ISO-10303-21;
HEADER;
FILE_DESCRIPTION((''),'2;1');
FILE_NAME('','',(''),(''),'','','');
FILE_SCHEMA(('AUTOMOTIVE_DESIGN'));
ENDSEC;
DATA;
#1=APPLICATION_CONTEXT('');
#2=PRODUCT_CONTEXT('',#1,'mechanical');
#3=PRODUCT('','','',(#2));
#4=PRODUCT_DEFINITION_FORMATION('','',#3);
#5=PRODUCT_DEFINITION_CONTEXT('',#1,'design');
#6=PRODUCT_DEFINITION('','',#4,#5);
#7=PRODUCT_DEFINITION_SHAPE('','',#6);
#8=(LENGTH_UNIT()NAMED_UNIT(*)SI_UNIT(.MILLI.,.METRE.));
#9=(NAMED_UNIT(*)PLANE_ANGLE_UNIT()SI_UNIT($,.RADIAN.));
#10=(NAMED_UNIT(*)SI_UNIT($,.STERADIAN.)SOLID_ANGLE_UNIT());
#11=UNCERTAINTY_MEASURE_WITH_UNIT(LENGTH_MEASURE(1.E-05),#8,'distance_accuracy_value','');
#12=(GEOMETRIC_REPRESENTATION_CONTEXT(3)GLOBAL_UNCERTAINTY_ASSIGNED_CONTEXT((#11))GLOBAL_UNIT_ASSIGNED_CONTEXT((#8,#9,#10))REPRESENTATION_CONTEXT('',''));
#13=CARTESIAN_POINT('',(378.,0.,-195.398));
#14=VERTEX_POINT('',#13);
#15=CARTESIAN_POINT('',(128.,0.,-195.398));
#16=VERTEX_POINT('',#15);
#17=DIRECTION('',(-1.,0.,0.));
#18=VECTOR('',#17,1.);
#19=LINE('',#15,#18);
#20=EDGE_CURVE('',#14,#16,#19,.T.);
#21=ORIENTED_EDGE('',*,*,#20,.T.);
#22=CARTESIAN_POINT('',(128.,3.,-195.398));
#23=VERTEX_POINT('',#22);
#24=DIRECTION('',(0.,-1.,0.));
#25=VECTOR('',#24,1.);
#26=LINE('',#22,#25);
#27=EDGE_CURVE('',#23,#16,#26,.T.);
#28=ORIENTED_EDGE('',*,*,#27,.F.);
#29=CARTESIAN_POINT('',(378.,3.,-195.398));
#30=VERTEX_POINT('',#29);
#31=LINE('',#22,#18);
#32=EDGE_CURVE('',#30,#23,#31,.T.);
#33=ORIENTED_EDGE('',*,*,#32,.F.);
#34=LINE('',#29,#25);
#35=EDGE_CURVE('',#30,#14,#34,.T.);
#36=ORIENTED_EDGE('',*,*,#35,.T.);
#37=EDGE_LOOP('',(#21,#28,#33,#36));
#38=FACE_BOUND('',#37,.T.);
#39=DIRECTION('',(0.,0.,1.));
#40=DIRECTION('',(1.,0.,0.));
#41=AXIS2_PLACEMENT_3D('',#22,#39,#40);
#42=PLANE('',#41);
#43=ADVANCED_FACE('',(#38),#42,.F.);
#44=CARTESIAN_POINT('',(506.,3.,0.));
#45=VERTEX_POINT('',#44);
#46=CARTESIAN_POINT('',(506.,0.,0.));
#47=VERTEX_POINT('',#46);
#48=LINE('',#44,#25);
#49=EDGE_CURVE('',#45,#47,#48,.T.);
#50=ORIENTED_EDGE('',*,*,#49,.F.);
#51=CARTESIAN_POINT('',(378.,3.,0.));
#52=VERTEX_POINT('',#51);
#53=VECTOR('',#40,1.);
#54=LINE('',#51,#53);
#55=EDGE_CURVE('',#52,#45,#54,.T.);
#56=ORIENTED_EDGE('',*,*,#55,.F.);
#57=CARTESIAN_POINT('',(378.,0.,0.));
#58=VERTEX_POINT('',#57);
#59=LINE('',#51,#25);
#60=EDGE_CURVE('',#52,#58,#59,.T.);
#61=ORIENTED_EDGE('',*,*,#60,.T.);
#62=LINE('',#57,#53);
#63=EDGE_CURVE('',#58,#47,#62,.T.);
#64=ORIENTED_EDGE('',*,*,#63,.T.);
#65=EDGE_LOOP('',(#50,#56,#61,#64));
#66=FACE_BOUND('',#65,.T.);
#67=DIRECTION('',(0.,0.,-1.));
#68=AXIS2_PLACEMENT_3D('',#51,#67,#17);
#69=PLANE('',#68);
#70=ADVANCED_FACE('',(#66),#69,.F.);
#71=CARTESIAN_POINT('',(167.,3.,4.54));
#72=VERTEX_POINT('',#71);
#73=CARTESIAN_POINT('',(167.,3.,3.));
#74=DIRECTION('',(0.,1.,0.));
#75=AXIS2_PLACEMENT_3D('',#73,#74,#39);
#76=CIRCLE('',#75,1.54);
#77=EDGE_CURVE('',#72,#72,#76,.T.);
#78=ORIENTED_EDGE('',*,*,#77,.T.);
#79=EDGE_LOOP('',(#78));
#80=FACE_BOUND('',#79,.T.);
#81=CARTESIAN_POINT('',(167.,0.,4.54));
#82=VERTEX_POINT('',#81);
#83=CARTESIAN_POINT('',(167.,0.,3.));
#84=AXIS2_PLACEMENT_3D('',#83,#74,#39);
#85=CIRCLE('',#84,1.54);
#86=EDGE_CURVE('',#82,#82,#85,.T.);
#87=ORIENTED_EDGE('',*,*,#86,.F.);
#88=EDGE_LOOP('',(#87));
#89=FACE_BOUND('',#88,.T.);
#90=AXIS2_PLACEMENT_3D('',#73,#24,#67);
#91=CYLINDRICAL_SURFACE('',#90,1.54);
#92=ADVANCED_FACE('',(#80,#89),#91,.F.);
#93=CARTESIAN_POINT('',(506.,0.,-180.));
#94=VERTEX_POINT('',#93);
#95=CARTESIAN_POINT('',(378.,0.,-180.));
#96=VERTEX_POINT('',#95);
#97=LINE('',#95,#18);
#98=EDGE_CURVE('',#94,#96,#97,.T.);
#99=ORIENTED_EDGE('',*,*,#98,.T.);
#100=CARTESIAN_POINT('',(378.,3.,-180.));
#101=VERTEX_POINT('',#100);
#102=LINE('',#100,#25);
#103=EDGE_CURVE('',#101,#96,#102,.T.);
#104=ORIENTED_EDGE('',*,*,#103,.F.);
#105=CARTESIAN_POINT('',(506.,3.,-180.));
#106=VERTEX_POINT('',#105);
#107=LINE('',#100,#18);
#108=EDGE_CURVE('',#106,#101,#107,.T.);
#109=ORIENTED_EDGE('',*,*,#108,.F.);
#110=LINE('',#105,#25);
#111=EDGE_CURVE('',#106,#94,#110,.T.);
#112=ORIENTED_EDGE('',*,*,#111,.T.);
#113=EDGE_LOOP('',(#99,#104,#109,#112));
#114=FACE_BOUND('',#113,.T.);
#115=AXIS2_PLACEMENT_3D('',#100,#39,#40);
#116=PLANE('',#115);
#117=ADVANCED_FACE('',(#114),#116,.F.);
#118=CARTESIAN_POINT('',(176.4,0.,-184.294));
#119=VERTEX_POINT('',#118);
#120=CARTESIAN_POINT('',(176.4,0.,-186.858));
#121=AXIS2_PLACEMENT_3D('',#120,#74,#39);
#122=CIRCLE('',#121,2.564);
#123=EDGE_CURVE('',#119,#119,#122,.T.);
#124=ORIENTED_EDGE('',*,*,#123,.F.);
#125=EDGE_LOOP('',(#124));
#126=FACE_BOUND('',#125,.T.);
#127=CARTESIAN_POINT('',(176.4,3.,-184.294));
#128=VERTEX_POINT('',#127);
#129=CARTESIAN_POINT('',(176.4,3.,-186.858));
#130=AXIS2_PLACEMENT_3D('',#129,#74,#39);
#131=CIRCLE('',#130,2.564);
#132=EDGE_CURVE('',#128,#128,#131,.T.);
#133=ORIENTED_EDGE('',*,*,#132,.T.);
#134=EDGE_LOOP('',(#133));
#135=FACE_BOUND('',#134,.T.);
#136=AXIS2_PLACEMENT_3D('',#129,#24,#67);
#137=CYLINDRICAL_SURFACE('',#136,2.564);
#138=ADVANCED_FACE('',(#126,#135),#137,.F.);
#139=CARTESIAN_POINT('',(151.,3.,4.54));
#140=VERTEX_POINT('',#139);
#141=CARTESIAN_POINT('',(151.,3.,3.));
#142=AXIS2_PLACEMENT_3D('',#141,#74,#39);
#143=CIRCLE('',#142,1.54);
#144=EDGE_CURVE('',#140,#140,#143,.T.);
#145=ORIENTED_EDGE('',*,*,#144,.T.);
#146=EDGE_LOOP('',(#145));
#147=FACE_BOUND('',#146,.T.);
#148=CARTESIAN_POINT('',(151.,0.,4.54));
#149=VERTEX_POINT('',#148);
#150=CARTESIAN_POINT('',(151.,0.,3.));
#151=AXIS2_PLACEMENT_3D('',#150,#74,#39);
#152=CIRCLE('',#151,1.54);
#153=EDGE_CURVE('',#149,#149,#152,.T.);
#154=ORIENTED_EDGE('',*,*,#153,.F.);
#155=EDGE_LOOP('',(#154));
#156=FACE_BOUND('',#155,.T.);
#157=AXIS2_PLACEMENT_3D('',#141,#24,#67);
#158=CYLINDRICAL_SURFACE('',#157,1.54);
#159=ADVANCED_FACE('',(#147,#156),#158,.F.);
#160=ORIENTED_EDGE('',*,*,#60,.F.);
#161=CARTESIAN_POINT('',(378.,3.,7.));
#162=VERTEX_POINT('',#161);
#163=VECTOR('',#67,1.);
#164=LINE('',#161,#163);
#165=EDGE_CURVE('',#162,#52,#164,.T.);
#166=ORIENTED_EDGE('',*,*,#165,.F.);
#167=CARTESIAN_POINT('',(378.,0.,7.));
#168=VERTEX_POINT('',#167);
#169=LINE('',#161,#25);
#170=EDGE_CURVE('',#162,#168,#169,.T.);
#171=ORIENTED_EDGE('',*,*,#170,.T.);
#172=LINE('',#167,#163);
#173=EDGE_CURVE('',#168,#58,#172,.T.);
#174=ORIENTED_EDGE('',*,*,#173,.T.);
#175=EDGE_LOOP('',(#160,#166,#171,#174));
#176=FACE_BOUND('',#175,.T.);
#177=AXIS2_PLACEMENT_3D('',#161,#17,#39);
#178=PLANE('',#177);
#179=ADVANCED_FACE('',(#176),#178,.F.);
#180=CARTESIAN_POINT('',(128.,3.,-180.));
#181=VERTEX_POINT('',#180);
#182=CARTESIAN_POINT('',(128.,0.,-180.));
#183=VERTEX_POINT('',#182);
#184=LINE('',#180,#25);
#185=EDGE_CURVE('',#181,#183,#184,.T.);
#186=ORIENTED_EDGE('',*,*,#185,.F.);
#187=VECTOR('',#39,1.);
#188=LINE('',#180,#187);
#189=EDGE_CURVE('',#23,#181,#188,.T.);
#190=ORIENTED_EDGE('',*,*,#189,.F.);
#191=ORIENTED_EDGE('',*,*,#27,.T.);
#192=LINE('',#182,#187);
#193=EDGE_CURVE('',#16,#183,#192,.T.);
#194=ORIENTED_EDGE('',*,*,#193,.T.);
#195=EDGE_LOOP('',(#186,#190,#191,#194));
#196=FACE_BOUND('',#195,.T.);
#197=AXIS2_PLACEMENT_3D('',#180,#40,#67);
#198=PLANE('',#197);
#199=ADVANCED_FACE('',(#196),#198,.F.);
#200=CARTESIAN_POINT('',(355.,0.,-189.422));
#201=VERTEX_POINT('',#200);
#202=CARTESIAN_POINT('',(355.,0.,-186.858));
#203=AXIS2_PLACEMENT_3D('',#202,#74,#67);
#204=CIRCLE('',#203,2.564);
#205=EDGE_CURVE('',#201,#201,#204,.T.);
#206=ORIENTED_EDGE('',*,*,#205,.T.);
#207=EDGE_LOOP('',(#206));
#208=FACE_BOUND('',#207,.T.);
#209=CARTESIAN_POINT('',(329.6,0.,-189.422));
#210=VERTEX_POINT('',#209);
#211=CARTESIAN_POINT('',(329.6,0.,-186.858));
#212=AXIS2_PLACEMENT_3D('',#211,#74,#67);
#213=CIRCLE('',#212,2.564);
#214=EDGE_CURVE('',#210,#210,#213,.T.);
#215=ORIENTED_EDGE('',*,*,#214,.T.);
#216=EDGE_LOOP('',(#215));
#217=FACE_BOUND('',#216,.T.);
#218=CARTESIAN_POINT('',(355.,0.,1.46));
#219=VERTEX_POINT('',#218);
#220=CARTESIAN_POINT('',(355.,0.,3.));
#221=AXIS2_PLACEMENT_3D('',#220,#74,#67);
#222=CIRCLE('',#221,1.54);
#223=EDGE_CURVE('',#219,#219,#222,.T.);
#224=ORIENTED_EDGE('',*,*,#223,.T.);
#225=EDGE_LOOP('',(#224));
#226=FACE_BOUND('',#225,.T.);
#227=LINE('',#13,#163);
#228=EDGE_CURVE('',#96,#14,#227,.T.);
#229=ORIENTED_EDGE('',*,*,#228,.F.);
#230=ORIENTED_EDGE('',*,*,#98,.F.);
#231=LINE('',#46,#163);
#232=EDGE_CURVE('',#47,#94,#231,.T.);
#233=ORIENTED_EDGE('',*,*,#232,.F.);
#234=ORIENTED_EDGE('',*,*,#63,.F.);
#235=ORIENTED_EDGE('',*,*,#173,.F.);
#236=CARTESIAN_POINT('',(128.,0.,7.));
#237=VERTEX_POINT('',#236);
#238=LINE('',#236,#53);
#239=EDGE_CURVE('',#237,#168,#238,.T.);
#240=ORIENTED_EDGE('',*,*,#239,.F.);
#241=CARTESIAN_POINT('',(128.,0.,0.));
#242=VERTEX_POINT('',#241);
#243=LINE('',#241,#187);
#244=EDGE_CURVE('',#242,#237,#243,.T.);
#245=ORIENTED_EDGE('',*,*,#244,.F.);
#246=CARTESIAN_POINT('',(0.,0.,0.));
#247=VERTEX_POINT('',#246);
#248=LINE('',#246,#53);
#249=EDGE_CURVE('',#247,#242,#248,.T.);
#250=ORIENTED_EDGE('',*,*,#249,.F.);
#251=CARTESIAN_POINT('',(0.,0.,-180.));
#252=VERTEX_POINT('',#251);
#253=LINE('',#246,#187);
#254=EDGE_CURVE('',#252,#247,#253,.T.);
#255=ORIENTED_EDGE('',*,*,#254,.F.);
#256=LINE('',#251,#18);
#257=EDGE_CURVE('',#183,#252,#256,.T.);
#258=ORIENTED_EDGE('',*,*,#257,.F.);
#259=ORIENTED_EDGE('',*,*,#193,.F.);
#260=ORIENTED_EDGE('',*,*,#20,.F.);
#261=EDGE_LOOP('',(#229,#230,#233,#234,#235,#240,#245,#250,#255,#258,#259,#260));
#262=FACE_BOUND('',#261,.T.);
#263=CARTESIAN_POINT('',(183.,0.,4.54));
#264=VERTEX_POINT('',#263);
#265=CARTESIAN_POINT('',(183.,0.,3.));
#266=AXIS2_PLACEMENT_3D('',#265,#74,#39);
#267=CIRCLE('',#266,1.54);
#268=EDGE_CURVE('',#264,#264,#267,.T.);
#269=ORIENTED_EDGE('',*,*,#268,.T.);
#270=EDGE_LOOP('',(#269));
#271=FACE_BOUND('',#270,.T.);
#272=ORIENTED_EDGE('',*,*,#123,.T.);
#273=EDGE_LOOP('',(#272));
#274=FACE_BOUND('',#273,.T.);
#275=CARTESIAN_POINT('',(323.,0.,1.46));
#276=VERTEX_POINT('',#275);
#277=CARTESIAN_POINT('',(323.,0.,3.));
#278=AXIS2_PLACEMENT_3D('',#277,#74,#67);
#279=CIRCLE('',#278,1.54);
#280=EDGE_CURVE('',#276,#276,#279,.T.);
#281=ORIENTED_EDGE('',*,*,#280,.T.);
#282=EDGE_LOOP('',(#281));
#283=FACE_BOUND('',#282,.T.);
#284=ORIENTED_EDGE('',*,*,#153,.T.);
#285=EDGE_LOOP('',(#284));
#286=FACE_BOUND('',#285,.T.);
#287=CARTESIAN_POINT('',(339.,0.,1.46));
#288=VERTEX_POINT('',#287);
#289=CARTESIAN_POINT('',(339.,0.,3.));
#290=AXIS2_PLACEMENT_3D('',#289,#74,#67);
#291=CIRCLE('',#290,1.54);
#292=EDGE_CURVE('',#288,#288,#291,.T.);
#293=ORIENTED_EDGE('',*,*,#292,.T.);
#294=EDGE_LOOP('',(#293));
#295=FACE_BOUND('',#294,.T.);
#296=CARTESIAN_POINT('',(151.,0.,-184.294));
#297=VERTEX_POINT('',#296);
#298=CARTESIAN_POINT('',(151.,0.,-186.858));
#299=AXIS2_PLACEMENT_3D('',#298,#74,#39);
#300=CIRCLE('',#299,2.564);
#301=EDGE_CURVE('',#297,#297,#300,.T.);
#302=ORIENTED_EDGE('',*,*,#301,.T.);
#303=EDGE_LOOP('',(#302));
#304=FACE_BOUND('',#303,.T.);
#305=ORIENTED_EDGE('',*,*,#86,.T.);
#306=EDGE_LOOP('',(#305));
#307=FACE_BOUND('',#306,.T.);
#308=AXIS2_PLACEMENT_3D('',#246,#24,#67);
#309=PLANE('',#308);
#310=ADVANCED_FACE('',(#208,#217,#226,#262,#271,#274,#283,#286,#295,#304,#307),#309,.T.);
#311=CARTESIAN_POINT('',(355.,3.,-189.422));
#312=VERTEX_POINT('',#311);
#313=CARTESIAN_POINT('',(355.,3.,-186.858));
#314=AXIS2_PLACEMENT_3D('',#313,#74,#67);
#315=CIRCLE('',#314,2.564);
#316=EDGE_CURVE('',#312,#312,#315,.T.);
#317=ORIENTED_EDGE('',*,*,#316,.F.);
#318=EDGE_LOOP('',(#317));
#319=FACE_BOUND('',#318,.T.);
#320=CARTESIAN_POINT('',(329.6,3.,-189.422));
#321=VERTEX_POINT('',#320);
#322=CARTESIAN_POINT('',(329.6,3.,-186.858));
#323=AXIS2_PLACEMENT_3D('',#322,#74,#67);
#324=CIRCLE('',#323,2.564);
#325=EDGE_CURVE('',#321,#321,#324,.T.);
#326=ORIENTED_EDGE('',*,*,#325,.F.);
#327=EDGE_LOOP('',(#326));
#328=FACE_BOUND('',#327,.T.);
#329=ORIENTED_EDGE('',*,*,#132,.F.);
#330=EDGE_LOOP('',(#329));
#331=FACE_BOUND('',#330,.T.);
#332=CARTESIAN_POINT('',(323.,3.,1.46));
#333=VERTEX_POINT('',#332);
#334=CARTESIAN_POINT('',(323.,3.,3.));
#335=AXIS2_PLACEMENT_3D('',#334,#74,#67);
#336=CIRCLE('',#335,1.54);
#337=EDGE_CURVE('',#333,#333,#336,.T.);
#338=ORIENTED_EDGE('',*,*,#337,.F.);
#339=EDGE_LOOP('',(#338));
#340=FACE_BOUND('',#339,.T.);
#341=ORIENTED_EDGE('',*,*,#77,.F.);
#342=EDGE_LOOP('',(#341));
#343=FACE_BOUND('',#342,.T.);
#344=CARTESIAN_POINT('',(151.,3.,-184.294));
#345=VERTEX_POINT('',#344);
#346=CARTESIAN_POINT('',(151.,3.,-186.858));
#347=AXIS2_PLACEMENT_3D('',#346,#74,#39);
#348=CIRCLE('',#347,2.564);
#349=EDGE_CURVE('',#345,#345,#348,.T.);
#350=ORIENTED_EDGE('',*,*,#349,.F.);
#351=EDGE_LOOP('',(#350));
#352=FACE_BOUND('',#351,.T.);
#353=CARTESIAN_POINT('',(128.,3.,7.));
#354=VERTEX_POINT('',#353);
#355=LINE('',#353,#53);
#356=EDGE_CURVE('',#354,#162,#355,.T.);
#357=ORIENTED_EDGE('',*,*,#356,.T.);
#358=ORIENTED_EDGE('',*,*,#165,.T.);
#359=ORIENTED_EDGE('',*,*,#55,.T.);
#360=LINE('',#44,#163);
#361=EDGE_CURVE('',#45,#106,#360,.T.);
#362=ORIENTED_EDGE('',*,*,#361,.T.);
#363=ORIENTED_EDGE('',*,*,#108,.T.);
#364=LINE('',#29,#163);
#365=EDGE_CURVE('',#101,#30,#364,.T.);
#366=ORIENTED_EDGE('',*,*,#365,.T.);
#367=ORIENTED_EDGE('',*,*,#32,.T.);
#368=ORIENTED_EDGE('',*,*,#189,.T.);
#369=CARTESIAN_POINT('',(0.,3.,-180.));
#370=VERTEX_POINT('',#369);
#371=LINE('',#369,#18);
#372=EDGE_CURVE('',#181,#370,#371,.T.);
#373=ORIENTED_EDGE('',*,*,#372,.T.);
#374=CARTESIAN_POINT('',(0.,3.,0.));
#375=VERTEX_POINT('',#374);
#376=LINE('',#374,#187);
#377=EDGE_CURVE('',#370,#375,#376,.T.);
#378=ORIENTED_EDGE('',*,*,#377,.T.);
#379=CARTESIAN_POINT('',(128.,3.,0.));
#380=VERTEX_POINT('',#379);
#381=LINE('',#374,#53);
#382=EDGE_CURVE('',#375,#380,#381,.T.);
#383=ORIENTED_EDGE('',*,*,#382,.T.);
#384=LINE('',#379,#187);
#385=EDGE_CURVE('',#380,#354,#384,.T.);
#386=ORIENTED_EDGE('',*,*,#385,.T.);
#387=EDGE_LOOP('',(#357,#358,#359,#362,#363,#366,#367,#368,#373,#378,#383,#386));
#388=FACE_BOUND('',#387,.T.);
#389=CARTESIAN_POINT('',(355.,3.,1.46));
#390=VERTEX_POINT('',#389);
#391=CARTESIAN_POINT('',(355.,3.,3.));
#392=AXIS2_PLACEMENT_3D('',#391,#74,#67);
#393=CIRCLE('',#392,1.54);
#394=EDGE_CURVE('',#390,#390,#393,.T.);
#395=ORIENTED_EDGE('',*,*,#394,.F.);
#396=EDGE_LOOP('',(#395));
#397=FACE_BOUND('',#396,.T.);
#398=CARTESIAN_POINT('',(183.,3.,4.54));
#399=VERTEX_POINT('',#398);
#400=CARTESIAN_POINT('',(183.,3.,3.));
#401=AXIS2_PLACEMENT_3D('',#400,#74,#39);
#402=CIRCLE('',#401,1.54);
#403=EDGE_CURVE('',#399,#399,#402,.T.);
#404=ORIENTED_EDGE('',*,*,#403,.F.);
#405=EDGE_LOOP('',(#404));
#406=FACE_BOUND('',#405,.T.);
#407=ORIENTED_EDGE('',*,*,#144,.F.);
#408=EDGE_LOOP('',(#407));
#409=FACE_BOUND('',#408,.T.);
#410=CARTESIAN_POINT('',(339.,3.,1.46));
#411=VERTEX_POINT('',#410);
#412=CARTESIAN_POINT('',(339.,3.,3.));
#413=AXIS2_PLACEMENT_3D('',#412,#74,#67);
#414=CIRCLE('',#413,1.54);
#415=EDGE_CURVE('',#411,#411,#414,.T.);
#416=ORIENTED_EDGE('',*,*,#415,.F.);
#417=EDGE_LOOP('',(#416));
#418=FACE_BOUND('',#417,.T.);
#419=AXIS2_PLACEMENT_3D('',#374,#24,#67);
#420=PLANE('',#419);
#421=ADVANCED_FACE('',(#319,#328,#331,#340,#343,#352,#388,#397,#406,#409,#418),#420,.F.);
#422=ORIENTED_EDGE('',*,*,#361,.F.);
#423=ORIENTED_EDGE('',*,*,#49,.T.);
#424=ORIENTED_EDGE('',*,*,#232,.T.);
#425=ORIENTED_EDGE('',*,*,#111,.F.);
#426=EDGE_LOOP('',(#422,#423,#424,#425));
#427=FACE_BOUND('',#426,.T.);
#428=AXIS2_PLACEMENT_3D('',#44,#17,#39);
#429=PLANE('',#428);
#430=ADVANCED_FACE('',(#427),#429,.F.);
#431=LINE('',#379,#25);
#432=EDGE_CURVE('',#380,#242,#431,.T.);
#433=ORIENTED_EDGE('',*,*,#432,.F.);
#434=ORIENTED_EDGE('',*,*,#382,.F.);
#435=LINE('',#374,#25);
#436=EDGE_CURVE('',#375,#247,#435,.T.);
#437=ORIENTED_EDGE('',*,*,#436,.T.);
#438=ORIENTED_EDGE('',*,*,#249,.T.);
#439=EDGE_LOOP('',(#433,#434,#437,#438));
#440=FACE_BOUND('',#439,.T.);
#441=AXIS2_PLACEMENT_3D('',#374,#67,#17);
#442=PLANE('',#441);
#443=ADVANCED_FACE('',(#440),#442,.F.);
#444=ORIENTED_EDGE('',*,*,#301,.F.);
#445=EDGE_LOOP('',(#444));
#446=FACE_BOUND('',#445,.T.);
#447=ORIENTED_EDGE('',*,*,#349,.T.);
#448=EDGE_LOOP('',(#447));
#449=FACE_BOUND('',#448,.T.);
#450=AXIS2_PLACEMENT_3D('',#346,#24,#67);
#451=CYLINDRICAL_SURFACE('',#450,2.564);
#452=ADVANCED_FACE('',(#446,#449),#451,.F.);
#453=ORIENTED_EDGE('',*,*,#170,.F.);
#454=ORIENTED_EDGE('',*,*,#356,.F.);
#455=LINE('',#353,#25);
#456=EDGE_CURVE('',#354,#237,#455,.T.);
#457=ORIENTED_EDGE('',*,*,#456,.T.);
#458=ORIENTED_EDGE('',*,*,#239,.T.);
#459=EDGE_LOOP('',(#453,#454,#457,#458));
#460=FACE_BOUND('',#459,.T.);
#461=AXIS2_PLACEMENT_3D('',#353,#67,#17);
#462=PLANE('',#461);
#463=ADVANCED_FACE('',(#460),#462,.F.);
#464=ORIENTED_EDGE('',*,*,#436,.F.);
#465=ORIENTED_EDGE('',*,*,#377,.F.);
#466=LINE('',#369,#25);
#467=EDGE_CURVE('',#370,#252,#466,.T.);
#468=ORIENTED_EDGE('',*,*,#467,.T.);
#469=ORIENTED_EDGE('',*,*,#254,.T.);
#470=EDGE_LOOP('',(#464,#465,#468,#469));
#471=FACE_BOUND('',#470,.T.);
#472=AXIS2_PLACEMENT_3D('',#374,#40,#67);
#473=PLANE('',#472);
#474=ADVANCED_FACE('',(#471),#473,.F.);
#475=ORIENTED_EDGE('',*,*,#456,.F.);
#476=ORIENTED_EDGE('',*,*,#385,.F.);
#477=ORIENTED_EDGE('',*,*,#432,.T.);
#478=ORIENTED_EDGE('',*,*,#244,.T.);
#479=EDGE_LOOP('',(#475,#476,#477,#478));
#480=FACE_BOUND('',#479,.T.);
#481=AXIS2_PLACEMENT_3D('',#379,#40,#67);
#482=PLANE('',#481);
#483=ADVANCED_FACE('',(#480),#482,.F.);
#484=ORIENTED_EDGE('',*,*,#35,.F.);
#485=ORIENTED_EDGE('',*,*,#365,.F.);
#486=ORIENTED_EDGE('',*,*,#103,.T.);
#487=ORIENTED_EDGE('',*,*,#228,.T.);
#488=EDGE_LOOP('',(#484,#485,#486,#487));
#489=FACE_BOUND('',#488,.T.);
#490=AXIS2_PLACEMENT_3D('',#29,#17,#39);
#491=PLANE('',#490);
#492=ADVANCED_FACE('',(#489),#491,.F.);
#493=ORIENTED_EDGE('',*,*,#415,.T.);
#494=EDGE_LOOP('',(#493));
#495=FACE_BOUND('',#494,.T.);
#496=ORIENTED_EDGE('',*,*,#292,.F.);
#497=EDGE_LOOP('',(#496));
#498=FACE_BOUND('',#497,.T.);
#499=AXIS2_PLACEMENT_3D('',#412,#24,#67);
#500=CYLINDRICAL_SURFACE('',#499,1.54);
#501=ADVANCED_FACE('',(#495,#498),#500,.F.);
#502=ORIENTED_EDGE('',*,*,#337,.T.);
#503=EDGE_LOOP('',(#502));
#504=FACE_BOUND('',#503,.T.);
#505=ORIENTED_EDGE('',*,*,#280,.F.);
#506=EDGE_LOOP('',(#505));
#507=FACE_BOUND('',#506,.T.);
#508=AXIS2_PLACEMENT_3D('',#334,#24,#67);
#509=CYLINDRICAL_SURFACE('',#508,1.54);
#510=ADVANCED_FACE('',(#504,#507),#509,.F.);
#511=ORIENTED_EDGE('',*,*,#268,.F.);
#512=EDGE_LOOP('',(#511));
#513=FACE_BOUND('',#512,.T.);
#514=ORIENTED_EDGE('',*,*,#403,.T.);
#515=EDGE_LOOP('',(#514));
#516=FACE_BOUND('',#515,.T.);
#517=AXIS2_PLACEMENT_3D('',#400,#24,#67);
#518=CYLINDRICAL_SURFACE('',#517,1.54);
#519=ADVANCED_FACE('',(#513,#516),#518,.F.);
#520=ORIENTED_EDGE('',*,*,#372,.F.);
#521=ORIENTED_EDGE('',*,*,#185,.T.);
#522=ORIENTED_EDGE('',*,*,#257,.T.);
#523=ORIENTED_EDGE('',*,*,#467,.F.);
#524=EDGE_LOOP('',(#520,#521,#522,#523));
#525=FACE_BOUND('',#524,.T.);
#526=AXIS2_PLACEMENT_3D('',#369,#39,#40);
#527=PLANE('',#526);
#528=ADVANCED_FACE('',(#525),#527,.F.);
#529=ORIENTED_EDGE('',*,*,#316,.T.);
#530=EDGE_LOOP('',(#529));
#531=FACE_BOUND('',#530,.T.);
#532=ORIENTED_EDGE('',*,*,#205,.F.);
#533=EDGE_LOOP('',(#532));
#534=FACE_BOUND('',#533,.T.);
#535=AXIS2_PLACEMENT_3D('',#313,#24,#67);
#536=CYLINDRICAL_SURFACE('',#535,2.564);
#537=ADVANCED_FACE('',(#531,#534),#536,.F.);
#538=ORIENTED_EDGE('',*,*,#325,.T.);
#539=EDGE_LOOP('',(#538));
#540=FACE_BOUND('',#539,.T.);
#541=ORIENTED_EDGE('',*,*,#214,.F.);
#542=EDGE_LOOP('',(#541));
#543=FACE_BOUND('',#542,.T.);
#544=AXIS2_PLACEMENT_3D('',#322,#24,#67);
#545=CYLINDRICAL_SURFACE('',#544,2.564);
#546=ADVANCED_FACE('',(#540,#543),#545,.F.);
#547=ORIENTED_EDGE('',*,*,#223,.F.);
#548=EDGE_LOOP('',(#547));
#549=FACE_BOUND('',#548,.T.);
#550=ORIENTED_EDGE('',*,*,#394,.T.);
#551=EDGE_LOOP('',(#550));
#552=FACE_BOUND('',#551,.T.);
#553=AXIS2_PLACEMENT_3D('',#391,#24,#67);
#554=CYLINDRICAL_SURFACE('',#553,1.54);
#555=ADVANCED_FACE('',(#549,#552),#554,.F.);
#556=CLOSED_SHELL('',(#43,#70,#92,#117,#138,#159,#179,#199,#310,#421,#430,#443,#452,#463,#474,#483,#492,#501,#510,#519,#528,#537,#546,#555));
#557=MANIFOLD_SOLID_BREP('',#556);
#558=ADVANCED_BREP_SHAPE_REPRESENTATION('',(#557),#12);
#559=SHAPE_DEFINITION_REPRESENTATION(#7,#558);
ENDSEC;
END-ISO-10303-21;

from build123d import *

# Parameters (mm, degrees)
SKETCH1_R           = 2.564
SKETCH1_R_2         = 1.54
BOSS_EXTRUDE1_DEPTH = 3


with BuildPart() as part:
    # Sketch1 → Boss-Extrude1 (new body)
    with BuildSketch(Plane(origin=(0, 0, 0), x_dir=(1, 0, 0), z_dir=(0, 1, 0))):
        Polygon((128, 0), (128, -7), (378, -7), (378, 0), (506, 0), (506, 180), (378, 180), (378, 195.398), (128, 195.398), (128, 180), (0, 180), (0, 0), align=None)
        with Locations(Location((151, 186.858, 0), (0, 0, 270))):
            Circle(SKETCH1_R, mode=Mode.SUBTRACT)
        with Locations(Location((176.4, 186.858, 0), (0, 0, 270))):
            Circle(SKETCH1_R, mode=Mode.SUBTRACT)
        with Locations(Location((151, -3, 0), (0, 0, 270))):
            Circle(SKETCH1_R_2, mode=Mode.SUBTRACT)
        with Locations(Location((183, -3, 0), (0, 0, 270))):
            Circle(SKETCH1_R_2, mode=Mode.SUBTRACT)
        with Locations(Location((329.6, 186.858, 0), (0, 0, 90))):
            Circle(SKETCH1_R, mode=Mode.SUBTRACT)
        with Locations(Location((355, 186.858, 0), (0, 0, 90))):
            Circle(SKETCH1_R, mode=Mode.SUBTRACT)
        with Locations(Location((167, -3, 0), (0, 0, 270))):
            Circle(SKETCH1_R_2, mode=Mode.SUBTRACT)
        with Locations(Location((323, -3, 0), (0, 0, 90))):
            Circle(SKETCH1_R_2, mode=Mode.SUBTRACT)
        with Locations(Location((339, -3, 0), (0, 0, 90))):
            Circle(SKETCH1_R_2, mode=Mode.SUBTRACT)
        with Locations(Location((355, -3, 0), (0, 0, 90))):
            Circle(SKETCH1_R_2, mode=Mode.SUBTRACT)
    extrude(amount=BOSS_EXTRUDE1_DEPTH)


solid = part.part
